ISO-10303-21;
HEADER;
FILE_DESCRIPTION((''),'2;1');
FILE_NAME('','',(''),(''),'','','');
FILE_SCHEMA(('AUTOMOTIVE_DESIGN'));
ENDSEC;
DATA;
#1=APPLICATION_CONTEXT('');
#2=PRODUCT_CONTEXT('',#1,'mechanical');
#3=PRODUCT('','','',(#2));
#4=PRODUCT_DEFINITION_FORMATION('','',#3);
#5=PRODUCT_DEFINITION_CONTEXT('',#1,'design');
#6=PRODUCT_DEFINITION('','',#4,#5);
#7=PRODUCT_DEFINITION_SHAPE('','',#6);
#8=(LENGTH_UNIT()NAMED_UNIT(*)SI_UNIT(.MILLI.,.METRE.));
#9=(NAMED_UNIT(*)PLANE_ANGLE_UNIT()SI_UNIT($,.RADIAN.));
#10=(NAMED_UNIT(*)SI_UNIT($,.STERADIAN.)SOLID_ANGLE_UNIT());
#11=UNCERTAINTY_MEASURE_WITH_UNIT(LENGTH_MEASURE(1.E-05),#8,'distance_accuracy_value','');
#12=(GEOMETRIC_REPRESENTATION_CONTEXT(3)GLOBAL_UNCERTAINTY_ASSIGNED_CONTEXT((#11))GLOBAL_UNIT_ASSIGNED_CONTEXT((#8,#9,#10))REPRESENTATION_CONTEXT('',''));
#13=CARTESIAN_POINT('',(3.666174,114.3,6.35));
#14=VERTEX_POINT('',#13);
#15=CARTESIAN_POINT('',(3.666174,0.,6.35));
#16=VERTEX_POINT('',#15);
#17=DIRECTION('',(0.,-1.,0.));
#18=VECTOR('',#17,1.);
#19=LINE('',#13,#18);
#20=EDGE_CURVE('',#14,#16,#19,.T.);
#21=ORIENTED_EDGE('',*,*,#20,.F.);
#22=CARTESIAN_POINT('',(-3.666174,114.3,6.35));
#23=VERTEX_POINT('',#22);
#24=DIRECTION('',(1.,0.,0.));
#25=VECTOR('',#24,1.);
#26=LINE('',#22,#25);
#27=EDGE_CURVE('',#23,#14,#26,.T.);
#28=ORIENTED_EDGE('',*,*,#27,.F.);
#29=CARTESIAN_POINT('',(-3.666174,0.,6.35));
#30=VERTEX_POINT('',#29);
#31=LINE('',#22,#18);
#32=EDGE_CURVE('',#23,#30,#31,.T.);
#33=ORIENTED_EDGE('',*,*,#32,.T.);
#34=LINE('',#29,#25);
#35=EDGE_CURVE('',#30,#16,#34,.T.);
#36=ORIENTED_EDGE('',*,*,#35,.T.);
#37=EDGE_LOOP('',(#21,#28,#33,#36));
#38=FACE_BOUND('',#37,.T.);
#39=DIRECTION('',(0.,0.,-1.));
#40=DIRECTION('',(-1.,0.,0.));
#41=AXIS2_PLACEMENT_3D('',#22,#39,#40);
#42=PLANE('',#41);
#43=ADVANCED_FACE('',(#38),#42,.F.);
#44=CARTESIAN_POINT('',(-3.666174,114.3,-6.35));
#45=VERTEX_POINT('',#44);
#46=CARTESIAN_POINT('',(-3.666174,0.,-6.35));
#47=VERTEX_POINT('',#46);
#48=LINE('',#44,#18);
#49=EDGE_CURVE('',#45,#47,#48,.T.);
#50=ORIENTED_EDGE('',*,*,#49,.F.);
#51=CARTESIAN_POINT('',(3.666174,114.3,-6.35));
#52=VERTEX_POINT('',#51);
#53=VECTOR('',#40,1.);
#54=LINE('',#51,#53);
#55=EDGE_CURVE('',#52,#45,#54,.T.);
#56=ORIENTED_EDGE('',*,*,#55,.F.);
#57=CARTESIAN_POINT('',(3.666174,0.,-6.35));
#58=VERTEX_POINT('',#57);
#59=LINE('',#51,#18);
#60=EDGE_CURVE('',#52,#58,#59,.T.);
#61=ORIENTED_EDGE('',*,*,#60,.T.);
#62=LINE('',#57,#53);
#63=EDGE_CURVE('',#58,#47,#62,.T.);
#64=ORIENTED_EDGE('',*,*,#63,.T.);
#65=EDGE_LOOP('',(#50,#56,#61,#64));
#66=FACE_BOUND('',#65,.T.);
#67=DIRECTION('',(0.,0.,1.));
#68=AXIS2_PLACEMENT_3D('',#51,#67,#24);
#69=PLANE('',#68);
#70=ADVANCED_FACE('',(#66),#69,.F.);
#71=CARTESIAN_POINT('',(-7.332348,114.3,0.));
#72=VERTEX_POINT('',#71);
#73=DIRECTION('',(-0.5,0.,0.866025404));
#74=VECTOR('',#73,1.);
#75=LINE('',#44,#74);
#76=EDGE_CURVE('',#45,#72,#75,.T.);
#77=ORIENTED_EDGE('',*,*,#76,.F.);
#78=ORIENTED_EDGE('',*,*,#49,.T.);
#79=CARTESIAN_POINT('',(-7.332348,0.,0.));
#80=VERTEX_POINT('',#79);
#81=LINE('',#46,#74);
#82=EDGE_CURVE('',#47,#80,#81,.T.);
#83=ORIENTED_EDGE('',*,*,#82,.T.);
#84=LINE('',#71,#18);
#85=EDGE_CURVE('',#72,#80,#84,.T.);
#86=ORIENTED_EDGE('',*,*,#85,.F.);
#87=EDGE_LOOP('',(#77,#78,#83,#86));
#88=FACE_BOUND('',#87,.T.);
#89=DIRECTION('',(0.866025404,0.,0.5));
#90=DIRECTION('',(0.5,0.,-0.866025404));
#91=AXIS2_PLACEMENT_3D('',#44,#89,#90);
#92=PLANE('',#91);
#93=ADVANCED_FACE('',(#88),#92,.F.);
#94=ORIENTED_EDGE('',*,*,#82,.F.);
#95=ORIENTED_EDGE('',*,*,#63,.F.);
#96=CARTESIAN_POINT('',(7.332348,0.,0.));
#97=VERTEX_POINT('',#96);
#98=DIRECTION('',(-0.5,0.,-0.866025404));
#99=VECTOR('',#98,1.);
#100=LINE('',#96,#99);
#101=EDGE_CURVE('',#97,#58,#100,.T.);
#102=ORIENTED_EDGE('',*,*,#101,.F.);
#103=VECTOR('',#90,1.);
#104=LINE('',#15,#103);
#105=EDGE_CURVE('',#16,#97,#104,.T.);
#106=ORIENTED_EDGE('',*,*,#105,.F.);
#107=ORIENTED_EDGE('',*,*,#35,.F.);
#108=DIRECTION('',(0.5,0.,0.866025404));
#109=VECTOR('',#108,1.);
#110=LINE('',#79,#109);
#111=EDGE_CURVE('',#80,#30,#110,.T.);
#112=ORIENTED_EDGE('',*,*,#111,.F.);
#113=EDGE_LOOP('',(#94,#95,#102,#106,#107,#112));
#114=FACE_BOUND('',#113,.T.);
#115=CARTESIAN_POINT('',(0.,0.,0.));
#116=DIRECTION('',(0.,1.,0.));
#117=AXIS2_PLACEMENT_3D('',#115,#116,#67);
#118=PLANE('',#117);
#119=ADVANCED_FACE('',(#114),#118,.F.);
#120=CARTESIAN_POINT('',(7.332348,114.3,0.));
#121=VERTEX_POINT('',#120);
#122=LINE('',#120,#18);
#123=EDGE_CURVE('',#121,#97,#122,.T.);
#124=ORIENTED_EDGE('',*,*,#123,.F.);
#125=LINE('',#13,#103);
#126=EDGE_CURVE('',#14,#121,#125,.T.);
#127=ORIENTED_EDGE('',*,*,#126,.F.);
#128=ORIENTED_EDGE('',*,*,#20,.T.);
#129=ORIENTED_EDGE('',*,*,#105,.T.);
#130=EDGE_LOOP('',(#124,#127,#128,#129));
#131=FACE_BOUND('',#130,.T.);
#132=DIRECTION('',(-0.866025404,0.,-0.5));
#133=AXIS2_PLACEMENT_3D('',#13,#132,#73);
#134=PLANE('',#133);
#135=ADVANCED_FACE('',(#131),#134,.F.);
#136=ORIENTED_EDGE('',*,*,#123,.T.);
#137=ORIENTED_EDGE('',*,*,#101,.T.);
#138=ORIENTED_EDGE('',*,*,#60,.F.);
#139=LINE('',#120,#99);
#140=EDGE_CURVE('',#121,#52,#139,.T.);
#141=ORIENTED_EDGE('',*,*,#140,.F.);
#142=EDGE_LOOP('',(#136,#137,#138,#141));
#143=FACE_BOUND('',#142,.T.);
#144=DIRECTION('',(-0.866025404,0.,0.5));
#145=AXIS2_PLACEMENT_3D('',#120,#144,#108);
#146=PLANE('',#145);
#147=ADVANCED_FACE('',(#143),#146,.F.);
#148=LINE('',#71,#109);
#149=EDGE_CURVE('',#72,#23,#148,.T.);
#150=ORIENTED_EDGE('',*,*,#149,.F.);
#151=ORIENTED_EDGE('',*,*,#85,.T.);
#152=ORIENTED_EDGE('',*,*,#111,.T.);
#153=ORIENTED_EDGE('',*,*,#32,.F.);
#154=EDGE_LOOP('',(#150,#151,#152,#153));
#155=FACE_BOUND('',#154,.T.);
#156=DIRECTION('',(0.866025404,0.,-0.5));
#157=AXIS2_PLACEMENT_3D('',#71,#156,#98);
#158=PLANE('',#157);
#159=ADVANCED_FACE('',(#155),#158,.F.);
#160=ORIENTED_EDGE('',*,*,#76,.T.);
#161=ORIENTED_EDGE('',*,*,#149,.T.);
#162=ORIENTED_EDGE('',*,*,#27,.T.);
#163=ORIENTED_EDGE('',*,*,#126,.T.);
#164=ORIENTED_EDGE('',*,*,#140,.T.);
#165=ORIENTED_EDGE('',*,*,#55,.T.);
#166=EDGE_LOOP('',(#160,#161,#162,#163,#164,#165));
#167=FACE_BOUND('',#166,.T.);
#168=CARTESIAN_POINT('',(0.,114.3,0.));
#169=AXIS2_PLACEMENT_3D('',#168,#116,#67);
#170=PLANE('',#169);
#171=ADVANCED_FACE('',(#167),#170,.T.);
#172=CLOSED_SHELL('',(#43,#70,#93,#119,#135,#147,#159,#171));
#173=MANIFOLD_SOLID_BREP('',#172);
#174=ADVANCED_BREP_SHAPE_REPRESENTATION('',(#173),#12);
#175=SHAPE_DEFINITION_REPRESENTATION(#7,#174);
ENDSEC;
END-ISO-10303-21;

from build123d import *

# Parameters (mm, degrees)
BOSS_EXTRUDE1_DEPTH = 114.3


with BuildPart() as part:
    # Sketch1 → Boss-Extrude1 (new body)
    with BuildSketch(Plane(origin=(0, 0, 0), x_dir=(1, 0, 0), z_dir=(0, 1, 0))):
        Polygon((3.666174209, 6.35), (-3.666174209, 6.35), (-7.332348419, 0), (-3.666174209, -6.35), (3.666174209, -6.35), (7.332348419, 0), align=None)
    extrude(amount=BOSS_EXTRUDE1_DEPTH)


solid = part.part
